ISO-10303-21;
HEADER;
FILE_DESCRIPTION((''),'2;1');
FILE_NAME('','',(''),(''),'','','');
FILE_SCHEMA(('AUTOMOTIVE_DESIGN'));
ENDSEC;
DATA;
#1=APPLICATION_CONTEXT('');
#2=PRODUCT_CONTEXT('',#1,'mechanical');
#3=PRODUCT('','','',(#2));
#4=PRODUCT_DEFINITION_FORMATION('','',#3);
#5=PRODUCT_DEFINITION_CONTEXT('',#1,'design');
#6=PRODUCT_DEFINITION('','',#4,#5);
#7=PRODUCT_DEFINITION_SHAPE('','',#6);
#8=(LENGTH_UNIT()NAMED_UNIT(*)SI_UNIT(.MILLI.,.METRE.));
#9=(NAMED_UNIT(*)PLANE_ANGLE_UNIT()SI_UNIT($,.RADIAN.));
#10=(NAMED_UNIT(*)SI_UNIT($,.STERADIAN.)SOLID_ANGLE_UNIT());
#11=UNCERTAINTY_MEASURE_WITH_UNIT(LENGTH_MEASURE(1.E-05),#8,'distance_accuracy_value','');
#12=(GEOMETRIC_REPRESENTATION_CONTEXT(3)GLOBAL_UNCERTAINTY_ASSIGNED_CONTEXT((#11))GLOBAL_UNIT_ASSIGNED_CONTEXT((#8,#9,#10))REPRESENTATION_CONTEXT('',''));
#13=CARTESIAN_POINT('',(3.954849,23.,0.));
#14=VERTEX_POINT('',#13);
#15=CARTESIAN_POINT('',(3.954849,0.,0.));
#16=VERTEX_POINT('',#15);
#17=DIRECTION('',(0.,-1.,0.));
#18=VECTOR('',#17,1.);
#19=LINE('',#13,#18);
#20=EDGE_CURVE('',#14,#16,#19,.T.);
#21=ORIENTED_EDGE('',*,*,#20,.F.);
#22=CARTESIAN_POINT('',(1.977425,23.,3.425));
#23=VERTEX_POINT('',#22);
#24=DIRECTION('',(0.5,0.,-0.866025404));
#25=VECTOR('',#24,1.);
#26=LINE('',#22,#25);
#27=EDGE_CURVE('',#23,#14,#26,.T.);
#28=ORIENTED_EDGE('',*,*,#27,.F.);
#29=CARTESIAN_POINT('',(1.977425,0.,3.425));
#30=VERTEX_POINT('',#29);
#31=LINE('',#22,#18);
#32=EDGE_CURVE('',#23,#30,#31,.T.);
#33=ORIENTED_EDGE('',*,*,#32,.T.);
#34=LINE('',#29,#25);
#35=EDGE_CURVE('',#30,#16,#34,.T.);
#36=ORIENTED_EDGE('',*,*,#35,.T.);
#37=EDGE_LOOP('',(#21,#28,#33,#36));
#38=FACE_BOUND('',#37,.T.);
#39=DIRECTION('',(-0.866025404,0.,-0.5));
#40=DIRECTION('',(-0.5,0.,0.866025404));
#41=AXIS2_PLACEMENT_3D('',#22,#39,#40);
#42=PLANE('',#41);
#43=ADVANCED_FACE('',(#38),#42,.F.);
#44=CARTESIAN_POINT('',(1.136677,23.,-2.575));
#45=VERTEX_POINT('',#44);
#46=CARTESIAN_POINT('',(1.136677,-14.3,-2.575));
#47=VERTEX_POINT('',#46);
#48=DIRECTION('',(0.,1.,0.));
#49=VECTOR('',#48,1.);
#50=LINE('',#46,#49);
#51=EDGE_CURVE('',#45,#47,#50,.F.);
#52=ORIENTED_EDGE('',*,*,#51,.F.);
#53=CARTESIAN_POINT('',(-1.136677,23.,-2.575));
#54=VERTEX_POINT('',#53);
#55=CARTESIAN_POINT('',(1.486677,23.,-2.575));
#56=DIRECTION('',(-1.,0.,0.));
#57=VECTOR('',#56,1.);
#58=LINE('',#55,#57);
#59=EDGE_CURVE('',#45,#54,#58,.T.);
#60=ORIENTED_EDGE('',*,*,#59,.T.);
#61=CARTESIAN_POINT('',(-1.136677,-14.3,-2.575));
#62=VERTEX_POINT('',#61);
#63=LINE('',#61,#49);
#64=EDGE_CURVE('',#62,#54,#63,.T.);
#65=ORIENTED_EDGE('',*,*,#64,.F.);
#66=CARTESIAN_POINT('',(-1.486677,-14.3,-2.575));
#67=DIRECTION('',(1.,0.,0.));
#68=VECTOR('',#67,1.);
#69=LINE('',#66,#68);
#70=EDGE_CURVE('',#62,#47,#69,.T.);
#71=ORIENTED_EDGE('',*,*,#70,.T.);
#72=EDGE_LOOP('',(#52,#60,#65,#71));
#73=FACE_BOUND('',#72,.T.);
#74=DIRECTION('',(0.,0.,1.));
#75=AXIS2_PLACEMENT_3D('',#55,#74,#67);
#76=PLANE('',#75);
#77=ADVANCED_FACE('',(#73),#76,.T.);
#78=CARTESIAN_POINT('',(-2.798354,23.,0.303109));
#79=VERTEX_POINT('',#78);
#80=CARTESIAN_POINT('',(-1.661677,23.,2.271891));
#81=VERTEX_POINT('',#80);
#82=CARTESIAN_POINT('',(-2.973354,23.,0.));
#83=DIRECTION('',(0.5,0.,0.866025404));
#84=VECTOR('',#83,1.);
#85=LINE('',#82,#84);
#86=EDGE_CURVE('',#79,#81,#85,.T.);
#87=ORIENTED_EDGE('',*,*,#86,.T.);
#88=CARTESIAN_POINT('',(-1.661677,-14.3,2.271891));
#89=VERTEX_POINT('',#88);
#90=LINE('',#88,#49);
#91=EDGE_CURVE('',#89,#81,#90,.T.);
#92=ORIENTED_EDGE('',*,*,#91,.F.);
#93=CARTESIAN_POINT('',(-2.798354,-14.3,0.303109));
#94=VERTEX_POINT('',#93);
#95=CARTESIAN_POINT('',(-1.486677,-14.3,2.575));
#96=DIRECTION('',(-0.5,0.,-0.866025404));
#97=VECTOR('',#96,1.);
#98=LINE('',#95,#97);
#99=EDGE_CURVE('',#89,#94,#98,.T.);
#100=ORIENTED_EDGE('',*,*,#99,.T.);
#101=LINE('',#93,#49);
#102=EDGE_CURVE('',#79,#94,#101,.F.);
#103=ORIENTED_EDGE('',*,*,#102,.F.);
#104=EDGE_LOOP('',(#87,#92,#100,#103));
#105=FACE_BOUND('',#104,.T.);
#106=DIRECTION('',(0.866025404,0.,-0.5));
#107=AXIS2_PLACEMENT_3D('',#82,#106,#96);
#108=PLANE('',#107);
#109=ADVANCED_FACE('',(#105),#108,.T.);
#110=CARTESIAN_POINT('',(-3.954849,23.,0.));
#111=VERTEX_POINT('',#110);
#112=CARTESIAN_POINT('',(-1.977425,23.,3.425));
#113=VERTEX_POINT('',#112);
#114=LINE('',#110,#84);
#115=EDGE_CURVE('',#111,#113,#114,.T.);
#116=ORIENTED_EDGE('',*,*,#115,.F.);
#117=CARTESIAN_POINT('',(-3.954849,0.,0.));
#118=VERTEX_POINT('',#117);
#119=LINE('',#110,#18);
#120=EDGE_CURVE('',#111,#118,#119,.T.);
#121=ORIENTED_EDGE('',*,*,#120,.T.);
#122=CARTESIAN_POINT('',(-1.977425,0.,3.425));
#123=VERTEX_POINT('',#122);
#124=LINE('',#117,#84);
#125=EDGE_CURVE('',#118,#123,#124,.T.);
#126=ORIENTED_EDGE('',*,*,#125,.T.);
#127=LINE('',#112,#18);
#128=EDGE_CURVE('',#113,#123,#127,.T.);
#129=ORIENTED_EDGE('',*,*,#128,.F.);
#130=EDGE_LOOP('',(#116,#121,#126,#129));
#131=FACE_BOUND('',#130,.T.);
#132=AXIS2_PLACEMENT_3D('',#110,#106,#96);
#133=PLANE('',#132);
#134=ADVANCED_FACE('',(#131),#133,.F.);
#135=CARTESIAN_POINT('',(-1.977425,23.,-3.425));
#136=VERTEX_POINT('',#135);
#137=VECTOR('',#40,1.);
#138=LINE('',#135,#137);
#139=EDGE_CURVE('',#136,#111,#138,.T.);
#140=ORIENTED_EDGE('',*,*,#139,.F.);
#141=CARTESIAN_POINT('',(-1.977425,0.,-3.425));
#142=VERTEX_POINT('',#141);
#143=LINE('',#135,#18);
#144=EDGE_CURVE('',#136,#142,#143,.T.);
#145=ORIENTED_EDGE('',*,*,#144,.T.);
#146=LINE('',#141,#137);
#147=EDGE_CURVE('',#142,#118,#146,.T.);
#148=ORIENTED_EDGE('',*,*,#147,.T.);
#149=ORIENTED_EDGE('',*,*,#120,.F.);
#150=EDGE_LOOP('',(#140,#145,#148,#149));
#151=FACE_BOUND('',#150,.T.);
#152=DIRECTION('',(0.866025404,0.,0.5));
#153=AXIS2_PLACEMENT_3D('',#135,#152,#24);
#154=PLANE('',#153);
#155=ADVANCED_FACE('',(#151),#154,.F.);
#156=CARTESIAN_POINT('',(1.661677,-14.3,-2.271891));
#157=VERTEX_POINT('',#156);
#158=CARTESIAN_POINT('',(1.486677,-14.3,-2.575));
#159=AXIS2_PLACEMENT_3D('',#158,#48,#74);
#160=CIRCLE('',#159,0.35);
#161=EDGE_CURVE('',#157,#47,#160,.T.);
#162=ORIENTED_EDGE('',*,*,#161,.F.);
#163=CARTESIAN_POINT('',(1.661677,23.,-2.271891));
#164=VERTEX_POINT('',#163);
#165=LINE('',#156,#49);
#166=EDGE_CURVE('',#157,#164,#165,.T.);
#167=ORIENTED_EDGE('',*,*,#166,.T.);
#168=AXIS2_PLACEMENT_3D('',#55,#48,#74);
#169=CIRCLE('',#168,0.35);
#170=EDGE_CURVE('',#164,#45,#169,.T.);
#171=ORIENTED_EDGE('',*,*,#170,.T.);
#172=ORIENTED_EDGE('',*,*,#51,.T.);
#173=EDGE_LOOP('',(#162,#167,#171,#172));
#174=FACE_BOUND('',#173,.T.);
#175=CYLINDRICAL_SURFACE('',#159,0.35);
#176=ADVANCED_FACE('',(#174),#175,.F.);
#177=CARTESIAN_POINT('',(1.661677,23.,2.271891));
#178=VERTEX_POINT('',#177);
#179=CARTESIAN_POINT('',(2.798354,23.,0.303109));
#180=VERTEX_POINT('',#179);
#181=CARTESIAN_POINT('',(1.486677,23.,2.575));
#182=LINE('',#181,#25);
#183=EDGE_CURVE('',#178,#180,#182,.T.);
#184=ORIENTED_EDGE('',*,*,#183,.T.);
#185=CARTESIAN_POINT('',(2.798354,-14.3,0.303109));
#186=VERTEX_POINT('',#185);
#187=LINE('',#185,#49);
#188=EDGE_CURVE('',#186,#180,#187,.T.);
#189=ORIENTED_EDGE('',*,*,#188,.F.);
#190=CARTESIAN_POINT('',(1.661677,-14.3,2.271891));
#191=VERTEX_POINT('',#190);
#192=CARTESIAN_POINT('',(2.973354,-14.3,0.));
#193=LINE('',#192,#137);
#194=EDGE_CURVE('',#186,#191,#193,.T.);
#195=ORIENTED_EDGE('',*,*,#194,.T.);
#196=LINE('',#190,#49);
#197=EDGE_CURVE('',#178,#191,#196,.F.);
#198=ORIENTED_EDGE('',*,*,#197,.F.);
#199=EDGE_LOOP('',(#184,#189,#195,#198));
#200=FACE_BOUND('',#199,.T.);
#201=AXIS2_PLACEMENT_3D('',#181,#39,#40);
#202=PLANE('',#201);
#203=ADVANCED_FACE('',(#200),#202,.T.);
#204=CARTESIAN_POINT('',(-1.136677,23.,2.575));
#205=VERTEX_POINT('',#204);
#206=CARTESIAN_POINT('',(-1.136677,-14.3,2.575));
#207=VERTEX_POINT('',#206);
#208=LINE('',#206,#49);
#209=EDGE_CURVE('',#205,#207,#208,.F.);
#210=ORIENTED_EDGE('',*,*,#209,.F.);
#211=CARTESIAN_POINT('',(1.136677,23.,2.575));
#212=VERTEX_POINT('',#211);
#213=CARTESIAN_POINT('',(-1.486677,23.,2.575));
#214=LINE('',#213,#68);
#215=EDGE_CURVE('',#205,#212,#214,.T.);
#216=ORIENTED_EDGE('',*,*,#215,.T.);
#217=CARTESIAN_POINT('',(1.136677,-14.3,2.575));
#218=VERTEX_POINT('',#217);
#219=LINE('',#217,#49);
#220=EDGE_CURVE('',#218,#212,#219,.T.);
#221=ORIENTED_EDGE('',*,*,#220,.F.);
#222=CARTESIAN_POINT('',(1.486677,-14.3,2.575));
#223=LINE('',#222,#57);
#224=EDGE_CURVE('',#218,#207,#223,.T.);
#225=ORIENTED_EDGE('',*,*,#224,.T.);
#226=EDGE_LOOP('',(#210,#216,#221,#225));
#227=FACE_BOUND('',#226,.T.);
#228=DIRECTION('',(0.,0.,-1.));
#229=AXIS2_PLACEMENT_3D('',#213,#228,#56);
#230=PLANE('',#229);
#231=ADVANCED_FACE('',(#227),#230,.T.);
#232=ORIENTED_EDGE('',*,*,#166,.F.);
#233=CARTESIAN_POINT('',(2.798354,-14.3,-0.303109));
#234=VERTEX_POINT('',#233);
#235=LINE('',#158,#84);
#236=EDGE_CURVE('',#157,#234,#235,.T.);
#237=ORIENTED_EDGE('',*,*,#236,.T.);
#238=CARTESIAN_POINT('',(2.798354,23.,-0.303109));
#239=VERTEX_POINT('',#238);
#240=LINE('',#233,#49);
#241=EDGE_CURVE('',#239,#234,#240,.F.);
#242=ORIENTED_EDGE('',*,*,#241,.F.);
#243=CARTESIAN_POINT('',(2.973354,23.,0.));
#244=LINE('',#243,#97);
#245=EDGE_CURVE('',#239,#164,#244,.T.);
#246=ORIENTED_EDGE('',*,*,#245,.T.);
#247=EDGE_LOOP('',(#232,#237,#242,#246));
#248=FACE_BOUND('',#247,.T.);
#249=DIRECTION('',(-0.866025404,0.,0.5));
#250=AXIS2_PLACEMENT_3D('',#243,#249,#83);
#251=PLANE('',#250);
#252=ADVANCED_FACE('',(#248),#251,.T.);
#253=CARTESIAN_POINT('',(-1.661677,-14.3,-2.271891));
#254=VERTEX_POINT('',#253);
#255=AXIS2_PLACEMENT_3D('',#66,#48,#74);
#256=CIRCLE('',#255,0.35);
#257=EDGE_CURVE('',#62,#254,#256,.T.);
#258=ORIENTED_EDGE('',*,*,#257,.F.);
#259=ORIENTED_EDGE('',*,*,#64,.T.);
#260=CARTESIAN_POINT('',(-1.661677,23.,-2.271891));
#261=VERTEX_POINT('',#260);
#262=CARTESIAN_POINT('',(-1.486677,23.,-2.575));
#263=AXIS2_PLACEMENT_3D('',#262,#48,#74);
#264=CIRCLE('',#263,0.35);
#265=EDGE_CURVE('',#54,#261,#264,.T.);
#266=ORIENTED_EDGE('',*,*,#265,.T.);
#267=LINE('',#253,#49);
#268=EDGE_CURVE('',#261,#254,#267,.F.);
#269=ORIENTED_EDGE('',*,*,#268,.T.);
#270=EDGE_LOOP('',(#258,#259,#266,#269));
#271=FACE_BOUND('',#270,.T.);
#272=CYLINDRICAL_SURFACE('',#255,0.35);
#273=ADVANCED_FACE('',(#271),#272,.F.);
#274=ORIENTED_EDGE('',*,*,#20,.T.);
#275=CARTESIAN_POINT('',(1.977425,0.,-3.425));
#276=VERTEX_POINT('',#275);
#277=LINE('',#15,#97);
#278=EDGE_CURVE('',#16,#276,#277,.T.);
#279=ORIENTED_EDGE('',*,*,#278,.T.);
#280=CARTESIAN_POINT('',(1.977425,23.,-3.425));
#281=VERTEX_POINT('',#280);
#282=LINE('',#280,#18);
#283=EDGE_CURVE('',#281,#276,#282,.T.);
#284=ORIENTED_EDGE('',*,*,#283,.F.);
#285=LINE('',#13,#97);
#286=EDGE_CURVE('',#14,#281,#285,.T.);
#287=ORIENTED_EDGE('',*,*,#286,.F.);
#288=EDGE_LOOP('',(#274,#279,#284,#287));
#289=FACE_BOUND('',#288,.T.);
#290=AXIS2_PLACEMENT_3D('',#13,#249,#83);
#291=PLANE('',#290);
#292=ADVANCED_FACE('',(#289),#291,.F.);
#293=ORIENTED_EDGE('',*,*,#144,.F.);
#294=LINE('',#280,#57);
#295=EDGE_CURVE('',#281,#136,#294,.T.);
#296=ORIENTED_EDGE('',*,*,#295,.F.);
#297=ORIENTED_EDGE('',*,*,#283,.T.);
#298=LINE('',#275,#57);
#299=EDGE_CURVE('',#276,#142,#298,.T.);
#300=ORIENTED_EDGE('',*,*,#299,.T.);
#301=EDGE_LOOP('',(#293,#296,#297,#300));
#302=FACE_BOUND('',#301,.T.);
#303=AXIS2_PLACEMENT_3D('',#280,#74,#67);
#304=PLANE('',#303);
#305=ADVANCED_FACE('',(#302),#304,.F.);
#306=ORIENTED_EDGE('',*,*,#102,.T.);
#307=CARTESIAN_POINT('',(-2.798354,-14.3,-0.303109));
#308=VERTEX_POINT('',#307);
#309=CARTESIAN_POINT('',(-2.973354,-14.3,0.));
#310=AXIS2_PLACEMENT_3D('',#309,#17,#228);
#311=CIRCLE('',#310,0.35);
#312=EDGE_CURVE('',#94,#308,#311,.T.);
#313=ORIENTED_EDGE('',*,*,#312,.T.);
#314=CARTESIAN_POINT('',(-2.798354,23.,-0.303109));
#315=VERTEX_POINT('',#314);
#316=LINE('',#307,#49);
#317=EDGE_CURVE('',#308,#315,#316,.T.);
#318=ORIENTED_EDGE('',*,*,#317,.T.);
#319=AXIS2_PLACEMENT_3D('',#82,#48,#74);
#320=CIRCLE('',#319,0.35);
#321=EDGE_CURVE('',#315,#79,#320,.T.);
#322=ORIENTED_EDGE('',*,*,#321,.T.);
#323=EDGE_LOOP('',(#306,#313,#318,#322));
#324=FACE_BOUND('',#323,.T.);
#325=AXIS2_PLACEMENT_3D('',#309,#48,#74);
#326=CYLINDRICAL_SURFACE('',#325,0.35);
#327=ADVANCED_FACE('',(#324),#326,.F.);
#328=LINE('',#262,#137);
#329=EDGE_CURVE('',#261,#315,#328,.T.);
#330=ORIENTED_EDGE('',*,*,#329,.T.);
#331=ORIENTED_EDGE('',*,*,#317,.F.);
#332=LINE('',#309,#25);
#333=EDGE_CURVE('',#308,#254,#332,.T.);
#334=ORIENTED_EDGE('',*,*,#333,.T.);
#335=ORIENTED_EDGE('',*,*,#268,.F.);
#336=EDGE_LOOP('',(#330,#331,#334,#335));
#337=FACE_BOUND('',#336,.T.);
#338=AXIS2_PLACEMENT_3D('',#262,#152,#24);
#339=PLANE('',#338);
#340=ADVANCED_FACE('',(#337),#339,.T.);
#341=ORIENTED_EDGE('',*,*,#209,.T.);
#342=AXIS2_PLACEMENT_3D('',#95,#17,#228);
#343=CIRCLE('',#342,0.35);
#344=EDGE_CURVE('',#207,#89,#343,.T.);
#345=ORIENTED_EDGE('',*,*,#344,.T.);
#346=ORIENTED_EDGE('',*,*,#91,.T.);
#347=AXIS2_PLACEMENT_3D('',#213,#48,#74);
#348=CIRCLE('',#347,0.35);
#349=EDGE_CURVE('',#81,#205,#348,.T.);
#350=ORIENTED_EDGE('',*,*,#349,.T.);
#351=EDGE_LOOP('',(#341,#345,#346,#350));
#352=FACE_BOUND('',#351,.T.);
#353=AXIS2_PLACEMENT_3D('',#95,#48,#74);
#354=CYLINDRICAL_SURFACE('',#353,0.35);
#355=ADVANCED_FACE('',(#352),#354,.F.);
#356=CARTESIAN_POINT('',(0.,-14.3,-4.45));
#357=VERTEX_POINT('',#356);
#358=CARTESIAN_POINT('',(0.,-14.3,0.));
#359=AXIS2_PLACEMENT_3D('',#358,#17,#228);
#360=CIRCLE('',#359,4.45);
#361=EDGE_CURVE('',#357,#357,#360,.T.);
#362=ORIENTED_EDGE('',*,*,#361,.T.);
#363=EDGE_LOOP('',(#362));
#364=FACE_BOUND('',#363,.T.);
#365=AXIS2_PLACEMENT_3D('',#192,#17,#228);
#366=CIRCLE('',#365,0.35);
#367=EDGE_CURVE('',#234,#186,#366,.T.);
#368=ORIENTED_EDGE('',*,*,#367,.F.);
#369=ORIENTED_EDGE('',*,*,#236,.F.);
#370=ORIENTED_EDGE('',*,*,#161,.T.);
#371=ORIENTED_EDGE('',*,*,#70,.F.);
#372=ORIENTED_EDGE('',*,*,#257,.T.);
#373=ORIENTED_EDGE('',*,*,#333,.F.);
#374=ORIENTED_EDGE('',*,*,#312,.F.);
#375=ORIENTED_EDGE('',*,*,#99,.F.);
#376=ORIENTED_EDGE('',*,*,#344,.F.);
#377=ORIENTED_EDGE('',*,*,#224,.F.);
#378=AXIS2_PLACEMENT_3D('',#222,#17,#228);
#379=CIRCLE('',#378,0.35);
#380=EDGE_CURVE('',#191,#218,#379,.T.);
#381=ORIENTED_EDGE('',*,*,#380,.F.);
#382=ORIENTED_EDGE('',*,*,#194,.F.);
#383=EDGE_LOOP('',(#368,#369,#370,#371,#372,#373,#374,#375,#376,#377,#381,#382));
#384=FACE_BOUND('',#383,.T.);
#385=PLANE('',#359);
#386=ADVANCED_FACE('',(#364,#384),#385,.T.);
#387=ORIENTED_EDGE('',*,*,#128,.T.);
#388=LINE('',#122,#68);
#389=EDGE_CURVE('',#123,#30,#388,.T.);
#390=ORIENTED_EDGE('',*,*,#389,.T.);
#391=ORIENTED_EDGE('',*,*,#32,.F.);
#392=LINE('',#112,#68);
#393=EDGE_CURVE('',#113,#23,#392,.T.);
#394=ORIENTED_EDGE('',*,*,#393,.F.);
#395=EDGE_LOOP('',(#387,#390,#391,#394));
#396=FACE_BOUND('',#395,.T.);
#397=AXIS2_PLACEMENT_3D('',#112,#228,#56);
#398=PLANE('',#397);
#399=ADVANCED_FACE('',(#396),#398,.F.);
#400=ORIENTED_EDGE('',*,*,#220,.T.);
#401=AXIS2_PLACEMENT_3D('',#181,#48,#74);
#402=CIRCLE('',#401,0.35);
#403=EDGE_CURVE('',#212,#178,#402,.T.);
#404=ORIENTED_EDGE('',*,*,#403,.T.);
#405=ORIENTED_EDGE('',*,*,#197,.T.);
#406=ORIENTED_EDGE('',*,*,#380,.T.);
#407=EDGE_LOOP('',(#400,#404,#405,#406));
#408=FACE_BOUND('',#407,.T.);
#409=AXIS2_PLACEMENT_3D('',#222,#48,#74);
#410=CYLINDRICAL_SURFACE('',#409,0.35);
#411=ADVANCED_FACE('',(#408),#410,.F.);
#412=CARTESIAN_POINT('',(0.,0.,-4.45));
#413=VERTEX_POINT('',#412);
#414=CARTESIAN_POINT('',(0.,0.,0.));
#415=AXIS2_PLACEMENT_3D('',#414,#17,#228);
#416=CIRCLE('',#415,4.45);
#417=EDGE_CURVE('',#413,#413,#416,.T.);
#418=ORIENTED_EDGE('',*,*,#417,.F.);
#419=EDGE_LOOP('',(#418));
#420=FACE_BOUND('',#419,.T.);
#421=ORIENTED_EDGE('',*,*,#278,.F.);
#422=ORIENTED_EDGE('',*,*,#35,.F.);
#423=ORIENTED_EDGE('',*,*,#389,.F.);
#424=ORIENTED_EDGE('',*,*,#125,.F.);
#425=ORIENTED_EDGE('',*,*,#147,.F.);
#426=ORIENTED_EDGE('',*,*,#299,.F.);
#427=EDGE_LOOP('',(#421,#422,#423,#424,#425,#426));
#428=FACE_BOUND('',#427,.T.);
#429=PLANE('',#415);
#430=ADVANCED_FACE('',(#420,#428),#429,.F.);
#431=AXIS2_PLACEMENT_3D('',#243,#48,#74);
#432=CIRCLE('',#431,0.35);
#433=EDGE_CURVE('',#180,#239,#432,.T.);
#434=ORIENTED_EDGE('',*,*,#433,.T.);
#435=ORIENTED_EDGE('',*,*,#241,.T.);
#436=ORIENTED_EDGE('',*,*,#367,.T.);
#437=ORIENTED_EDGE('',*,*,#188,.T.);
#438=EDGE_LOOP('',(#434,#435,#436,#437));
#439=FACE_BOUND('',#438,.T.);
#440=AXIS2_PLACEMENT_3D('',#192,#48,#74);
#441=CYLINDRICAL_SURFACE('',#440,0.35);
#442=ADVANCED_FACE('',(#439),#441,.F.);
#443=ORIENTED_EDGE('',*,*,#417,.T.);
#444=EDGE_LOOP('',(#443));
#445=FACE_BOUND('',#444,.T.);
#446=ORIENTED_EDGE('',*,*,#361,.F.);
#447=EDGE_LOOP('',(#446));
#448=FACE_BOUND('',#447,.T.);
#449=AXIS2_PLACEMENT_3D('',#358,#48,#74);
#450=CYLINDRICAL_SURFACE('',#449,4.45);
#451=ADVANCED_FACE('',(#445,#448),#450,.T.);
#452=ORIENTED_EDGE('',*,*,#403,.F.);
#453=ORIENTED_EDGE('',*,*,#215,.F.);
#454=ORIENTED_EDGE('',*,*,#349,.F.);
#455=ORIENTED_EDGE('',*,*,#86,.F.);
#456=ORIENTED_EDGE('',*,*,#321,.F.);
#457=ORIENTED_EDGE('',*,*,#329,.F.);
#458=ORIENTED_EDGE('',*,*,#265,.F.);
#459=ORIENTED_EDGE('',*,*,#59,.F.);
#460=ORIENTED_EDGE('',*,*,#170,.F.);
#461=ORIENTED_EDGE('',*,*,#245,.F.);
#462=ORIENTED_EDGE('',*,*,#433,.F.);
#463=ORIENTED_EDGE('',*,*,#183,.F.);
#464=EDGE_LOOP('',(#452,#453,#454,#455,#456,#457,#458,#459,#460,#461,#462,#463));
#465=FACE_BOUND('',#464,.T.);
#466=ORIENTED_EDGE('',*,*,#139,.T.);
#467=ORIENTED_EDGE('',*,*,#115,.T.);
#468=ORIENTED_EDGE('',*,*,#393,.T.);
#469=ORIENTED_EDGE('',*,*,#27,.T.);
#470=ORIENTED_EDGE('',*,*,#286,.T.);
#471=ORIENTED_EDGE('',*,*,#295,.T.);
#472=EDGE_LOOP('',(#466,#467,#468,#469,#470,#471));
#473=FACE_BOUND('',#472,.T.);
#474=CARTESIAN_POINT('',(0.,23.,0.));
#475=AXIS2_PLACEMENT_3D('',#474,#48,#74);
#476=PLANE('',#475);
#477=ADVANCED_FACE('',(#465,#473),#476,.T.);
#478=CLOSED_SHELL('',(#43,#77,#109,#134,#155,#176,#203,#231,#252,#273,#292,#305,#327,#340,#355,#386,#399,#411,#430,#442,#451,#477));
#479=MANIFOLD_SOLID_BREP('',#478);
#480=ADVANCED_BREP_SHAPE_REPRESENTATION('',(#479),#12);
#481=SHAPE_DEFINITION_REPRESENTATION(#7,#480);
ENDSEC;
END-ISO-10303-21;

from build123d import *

# Parameters (mm, degrees)
BOSS_EXTRUDE1_DEPTH     = 23
SKETCH2_R               = 4.45
BOSS_EXTRUDE2_DEPTH     = 14.3
CUT_EXTRUDE1_DEPTH      = 38.827172773
CUT_EXTRUDE1_DEPTH_BACK = 38.827172773
SKETCH4_R               = 0.35


with BuildPart() as part:
    # Sketch1 → Boss-Extrude1 (new body)
    with BuildSketch(Plane(origin=(0, 0, 0), x_dir=(1, 0, 0), z_dir=(0, 1, 0))):
        Polygon((1.977424672, 3.425), (-1.977424672, 3.425), (-3.954849344, 0), (-1.977424672, -3.425), (1.977424672, -3.425), (3.954849344, 0), align=None)
        Polygon((2.973353886, 0), (1.486676943, 2.575), (-1.486676943, 2.575), (-2.973353886, 0), (-1.486676943, -2.575), (1.486676943, -2.575), align=None, mode=Mode.SUBTRACT)
    extrude(amount=BOSS_EXTRUDE1_DEPTH)

    # Sketch2 → Boss-Extrude2 (add)
    with BuildSketch(Plane.XZ):
        with Locations(Location((0, 0, 0), (0, 0, 270))):
            Circle(SKETCH2_R)
        Polygon((2.973353886, 0), (1.486676943, 2.575), (-1.486676943, 2.575), (-2.973353886, 0), (-1.486676943, -2.575), (1.486676943, -2.575), align=None, mode=Mode.SUBTRACT)
    extrude(amount=BOSS_EXTRUDE2_DEPTH)

    # Sketch4 → Cut-Extrude1 (cut, two sides: drawn at the far end of the back side and taken through both)
    with BuildSketch(Plane(origin=(0, 23, 0), x_dir=(1, 0, 0), z_dir=(0, 1, 0)).offset(-CUT_EXTRUDE1_DEPTH_BACK)):
        with Locations((1.486676943, 2.575)):
            Circle(SKETCH4_R)
        with Locations((2.973353886, 0)):
            Circle(SKETCH4_R)
        with Locations((1.486676943, -2.575)):
            Circle(SKETCH4_R)
        with Locations((-1.486676943, -2.575)):
            Circle(SKETCH4_R)
        with Locations((-2.973353886, 0)):
            Circle(SKETCH4_R)
        with Locations((-1.486676943, 2.575)):
            Circle(SKETCH4_R)
    extrude(amount=CUT_EXTRUDE1_DEPTH + CUT_EXTRUDE1_DEPTH_BACK, mode=Mode.SUBTRACT)


solid = part.part
